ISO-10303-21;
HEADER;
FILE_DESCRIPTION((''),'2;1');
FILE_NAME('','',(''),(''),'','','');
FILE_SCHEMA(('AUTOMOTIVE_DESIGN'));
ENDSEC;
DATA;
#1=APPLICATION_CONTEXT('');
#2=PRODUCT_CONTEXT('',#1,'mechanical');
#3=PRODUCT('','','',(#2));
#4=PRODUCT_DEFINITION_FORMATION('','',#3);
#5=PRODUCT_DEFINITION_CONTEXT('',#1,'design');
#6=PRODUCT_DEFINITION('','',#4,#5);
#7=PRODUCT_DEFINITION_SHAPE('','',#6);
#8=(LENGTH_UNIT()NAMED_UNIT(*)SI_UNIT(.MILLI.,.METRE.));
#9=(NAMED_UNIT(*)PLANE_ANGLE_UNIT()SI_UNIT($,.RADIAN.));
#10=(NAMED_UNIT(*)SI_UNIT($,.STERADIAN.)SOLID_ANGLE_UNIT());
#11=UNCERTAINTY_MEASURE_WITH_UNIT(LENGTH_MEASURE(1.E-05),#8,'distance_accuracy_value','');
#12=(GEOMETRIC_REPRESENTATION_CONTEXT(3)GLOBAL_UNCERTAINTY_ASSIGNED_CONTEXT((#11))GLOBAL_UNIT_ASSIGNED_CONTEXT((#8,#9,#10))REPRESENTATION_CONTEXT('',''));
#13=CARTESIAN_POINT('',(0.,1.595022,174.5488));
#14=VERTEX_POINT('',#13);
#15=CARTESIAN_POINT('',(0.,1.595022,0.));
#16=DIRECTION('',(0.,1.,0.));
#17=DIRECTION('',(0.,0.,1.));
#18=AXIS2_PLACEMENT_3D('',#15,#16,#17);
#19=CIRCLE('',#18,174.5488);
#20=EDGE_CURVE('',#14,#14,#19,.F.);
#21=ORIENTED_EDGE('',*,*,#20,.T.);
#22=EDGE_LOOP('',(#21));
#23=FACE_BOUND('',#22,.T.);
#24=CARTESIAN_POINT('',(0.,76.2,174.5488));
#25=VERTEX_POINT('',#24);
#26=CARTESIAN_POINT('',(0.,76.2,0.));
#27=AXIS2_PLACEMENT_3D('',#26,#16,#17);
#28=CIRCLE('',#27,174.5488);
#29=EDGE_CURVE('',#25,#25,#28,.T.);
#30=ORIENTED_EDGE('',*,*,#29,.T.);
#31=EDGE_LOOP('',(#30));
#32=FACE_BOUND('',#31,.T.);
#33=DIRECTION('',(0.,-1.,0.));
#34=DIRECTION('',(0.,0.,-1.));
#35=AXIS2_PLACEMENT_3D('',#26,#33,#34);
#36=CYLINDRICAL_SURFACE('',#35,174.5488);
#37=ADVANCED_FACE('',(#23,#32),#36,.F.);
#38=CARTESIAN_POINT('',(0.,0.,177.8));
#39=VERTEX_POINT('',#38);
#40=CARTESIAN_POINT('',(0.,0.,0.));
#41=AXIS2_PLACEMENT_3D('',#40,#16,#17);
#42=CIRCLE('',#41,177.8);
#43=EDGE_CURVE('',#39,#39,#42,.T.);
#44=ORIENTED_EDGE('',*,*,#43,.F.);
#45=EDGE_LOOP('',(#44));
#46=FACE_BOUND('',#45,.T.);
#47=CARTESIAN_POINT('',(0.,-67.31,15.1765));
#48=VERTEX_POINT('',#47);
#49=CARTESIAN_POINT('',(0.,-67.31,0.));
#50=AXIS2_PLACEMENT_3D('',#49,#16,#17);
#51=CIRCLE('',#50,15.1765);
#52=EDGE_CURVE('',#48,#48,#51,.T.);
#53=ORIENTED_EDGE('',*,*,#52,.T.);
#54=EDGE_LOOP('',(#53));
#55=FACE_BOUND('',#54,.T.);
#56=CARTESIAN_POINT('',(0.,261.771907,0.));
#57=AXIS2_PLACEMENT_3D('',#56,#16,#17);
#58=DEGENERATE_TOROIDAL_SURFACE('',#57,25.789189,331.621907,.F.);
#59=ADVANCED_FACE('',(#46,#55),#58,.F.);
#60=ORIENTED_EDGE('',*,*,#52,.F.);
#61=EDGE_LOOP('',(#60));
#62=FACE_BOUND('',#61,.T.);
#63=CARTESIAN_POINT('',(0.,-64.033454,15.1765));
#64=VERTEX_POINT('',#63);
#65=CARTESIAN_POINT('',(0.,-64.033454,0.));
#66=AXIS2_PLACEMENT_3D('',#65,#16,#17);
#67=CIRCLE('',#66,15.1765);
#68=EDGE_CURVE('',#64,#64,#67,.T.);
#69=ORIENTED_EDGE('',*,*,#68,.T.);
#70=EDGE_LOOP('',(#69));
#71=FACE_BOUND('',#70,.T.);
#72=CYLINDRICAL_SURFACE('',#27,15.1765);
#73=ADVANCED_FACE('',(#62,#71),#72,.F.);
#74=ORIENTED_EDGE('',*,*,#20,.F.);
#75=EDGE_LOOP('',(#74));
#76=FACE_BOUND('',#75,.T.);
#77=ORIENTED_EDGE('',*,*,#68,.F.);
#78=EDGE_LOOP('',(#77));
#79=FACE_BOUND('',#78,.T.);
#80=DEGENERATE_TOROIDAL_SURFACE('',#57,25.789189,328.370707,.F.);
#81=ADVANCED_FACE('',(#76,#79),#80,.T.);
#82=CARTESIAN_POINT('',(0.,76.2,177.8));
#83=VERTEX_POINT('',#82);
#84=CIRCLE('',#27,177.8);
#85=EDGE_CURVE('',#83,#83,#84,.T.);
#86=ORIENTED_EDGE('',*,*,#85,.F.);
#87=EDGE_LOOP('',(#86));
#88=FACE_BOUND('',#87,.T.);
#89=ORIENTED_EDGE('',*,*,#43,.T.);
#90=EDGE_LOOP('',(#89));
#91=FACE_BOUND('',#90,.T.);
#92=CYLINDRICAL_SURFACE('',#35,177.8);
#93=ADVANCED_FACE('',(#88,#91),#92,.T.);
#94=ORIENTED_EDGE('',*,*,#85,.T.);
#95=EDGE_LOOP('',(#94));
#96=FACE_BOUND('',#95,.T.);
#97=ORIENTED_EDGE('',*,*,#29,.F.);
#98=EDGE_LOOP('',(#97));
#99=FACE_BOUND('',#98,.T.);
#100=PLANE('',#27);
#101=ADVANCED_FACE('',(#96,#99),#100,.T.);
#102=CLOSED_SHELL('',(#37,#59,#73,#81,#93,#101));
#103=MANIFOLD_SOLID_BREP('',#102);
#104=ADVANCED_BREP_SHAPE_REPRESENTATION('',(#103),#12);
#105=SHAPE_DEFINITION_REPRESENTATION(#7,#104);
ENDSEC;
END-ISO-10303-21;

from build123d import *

# Parameters (mm, degrees)
SKETCH1_R           = 177.8
SKETCH1_R_2         = 174.5488
BOSS_EXTRUDE1_DEPTH = 76.2


with BuildPart() as part:
    # Sketch1 → Boss-Extrude1 (new body)
    with BuildSketch(Plane(origin=(0, 0, 0), x_dir=(1, 0, 0), z_dir=(0, 1, 0))):
        Circle(SKETCH1_R)
        Circle(SKETCH1_R_2, mode=Mode.SUBTRACT)
    extrude(amount=BOSS_EXTRUDE1_DEPTH)

    # Sketch2 → Revolve1 (revolve)
    with BuildSketch(Plane(origin=(0, 0, 0), x_dir=(0, 0, -1), z_dir=(1, 0, 0))):
        with BuildLine():
            Line((15.1765, -67.31), (15.1765, -64.033454417))
            ThreePointArc((15.1765, -64.033454417), (99.978812863, -41.559151242), (175.804024592, 2.566395061))
            Line((175.804024592, 2.566395061), (177.8, 0))
            ThreePointArc((177.8, 0), (101.035221552, -44.640654854), (15.1765, -67.31))
        make_face()
    revolve(axis=Axis((0, 76.2, 0), (0, -1, 0)))


solid = part.part
